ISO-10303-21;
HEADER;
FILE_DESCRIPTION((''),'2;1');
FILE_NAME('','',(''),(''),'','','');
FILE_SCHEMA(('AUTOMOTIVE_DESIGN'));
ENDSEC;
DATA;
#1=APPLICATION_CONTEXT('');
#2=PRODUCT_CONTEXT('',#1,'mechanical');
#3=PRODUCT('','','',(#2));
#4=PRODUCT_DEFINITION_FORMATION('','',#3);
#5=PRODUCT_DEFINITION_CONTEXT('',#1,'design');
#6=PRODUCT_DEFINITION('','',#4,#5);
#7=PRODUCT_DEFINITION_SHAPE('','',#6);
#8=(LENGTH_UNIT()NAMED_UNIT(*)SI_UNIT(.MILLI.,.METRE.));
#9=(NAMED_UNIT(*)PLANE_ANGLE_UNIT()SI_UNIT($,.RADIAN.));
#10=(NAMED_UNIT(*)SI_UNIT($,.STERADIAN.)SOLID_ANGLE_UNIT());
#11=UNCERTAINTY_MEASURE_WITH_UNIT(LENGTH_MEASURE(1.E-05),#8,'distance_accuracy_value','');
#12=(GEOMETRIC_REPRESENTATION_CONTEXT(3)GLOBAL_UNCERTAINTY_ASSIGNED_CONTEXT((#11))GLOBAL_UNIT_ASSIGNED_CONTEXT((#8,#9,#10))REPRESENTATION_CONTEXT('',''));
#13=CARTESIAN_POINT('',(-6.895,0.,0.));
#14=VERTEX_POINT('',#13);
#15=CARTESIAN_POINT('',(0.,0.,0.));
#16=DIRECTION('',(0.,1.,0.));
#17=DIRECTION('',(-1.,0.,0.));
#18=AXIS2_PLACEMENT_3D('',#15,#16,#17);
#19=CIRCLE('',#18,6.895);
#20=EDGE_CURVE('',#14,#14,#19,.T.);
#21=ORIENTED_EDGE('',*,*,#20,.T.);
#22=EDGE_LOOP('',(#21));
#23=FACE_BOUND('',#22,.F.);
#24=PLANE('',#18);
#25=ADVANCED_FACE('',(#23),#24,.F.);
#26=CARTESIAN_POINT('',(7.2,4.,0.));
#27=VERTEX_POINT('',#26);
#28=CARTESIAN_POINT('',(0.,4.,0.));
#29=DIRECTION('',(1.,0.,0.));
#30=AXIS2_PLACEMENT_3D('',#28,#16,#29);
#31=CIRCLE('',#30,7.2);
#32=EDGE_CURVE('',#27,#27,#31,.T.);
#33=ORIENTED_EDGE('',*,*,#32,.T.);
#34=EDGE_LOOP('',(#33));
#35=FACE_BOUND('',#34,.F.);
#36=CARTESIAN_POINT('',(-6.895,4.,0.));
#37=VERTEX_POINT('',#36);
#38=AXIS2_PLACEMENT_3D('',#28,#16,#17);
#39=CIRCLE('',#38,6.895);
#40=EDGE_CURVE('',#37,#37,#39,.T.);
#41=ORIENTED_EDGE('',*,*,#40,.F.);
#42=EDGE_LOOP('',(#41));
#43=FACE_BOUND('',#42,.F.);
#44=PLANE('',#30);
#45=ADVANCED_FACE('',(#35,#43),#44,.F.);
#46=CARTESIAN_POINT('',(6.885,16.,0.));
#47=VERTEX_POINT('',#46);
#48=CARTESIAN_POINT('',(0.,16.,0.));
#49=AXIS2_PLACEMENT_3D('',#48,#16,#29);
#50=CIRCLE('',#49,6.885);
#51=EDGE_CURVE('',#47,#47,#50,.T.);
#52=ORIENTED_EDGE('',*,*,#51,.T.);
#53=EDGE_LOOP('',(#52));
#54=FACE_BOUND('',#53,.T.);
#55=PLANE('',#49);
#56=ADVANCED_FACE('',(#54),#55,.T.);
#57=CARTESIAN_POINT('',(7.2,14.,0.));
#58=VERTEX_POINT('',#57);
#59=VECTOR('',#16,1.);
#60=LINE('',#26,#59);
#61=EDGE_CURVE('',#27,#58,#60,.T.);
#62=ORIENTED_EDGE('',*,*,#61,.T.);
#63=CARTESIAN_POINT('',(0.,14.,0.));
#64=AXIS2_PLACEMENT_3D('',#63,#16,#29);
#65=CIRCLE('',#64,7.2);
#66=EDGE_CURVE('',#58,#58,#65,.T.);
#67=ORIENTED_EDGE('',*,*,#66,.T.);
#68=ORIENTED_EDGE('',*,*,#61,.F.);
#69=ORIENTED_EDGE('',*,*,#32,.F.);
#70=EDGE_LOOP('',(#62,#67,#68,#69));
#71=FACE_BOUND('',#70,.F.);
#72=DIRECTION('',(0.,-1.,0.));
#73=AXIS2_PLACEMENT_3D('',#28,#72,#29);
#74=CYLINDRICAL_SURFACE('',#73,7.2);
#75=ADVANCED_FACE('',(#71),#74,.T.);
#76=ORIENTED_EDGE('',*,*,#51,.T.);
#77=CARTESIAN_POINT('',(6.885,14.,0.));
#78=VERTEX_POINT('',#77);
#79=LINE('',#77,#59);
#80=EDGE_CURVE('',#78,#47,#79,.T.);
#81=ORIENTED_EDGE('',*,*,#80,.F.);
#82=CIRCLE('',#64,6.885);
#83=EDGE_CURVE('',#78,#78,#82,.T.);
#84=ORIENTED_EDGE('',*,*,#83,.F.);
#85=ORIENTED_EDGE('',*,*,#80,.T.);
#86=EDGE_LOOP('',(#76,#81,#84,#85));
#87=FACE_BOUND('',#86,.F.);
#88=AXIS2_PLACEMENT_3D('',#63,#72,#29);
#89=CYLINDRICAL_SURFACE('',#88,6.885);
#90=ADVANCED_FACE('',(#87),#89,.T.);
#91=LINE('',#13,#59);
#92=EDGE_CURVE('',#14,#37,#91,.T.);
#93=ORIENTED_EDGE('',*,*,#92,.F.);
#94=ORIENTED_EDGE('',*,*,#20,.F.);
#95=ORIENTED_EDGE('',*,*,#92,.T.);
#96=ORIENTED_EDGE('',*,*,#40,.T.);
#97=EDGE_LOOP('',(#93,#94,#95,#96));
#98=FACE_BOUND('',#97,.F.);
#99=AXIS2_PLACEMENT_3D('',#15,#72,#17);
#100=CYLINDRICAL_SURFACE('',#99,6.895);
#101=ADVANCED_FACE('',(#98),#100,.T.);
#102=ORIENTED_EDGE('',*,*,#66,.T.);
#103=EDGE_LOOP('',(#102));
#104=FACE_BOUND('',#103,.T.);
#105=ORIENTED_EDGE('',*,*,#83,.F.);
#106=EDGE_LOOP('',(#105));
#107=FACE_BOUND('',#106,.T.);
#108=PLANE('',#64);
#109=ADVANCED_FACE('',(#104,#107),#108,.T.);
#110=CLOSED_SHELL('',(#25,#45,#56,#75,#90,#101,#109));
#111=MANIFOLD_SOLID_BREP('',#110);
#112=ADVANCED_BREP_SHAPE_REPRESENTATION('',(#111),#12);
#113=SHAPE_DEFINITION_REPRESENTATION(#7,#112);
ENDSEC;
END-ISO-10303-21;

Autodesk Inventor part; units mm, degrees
ref_plane "YZ Plane" through (0, 0, 0) normal (1, 0, 0) x (0, 1, 0)
ref_plane "XZ Plane" through (0, 0, 0) normal (0, 1, 0) x (-1, 0, 0)
ref_plane "XY Plane" through (0, 0, 0) normal (0, 0, 1) x (1, 0, 0)
sketch "Sketch1" plane through (0, 0, 0) normal (0, 1, 0) x (-1, 0, 0)
  circle A0 centre (0, 0) radius 6.895
  dimension "d0" = 13.79
extrude "Extrusion1" add sketch "Sketch1" along normal blind 4
sketch "Sketch2" plane through (0, 4, 0) normal (0, 1, 0) x (1, 0, 0)
  circle A0 centre (0, 0) radius 7.2
  dimension "d3" = 14.4
extrude "Extrusion2" add sketch "Sketch2" along normal blind 10
sketch "Sketch3" plane through (0, 14, 0) normal (0, 1, 0) x (1, 0, 0)
  circle A0 centre (0, 0) radius 6.885
  dimension "d6" = 13.77
extrude "Extrusion3" add sketch "Sketch3" along normal blind 2
properties part number "ENCODER WHEEL"
